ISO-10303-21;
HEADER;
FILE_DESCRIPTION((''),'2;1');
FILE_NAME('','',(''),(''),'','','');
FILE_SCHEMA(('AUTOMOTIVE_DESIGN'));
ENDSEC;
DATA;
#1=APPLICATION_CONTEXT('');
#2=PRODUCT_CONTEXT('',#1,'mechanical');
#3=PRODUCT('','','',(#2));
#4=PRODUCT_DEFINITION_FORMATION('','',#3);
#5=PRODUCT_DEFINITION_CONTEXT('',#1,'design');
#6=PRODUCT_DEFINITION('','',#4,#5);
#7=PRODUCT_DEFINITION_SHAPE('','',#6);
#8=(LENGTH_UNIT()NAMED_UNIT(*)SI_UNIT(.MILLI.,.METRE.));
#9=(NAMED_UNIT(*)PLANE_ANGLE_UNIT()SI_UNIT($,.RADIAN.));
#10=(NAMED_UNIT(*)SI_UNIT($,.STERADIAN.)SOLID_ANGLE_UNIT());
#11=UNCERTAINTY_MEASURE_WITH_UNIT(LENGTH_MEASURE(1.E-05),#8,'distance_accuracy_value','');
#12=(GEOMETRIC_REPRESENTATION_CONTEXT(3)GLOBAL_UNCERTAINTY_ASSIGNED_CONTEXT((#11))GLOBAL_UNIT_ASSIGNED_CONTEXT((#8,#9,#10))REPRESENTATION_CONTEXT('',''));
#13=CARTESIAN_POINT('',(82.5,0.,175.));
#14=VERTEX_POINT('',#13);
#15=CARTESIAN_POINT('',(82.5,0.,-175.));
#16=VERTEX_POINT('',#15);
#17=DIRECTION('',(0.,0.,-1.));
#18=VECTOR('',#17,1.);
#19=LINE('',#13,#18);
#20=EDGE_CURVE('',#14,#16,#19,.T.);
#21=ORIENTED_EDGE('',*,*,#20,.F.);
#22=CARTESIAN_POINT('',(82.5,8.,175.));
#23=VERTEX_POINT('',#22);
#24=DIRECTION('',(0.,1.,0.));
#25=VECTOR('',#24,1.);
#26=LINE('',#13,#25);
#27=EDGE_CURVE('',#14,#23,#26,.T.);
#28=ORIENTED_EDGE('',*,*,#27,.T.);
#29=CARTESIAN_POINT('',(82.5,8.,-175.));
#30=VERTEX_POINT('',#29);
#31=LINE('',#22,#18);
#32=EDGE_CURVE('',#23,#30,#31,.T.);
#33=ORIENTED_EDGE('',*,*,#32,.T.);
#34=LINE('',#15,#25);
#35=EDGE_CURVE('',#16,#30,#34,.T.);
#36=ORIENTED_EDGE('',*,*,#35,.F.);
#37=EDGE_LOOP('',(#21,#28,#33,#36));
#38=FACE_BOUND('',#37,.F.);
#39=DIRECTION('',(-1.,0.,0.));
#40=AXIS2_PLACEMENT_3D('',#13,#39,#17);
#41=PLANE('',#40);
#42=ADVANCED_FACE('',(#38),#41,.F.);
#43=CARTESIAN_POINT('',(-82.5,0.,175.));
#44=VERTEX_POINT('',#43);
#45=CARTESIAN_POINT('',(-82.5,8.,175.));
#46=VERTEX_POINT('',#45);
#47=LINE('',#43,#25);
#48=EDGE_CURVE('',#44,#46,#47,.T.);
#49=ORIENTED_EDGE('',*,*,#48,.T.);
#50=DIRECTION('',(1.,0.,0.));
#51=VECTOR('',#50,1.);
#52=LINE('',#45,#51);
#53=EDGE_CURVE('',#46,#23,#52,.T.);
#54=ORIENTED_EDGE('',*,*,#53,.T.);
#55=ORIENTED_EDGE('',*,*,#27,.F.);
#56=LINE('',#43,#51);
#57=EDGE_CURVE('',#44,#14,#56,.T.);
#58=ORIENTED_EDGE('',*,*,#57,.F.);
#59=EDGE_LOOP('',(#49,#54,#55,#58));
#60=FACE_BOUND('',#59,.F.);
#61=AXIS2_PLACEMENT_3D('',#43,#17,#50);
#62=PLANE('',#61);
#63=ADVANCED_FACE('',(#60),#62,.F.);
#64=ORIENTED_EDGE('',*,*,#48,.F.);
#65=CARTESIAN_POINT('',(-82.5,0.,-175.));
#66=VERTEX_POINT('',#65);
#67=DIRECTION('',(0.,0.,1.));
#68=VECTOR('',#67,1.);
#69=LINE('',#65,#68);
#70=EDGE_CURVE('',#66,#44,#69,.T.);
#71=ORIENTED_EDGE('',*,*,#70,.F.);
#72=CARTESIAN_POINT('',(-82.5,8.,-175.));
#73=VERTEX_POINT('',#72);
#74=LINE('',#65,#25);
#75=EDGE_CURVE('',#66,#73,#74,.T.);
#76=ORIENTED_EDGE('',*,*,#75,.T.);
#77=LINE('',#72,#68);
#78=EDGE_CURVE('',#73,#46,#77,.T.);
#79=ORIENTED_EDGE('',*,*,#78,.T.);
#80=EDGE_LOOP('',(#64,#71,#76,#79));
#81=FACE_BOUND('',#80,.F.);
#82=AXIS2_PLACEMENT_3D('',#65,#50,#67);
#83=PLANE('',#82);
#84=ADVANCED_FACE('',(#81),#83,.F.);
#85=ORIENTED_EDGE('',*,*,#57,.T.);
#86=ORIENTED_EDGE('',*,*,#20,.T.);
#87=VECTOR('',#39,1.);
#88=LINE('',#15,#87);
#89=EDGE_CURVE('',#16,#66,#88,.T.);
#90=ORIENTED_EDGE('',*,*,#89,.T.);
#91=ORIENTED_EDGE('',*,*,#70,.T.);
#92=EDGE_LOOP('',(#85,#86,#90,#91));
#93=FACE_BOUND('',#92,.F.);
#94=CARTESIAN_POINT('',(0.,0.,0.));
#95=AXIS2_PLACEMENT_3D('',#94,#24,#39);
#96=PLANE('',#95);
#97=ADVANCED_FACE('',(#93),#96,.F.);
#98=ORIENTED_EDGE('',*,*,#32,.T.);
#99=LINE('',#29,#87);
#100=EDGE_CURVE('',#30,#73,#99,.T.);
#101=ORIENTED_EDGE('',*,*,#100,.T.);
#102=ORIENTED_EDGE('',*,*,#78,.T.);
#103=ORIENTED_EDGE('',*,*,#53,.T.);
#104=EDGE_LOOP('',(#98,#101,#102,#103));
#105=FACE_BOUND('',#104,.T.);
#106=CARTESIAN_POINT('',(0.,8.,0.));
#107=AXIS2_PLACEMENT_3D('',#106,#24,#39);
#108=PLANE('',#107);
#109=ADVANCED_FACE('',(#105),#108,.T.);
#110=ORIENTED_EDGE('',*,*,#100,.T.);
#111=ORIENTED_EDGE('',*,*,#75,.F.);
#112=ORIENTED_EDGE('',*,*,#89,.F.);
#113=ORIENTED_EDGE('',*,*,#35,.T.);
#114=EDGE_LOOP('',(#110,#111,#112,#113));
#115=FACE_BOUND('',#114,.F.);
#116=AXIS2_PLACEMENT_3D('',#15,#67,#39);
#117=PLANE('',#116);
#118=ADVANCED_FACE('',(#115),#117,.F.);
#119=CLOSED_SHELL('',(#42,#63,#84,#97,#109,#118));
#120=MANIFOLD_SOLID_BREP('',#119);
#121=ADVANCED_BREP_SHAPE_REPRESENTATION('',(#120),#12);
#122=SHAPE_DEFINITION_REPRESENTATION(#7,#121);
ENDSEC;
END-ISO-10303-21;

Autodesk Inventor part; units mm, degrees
ref_plane "YZ Plane" through (0, 0, 0) normal (1, 0, 0) x (0, 1, 0)
ref_plane "XZ Plane" through (0, 0, 0) normal (0, 1, 0) x (-1, 0, 0)
ref_plane "XY Plane" through (0, 0, 0) normal (0, 0, 1) x (1, 0, 0)
sketch "Эскиз5" plane through (0, 0, 0) normal (0, 1, 0) x (-1, 0, 0)
  line L0 (82.5, 175) -> (-82.5, 175)
  line L1 (-82.5, 175) -> (-82.5, -175)
  line L2 (-82.5, -175) -> (82.5, -175)
  line L3 (82.5, -175) -> (82.5, 175)
  line L4 (82.5, 175) -> (-82.5, -175) construction
  line L5 (-82.5, 175) -> (82.5, -175) construction
  point P0 (0, 0)
  dimension "d64" = 165
  dimension "d65" = 350
extrude "Пластина2" add sketch "Эскиз5" along normal blind 8
equation "\"Радиус_гибки\" = Толщина"
equation "\"Ширина_просечки\" = Толщина"
equation "\"Глубина_просечки\" = 0.5 * Толщина"
equation "\"Размер_высечки\" = 4 * Толщина"
equation "\"Минимальный_остаток\" = 2 * Толщина"
equation "\"Радиус_перехода\" = Радиус_гибки"
equation "\"Радиус_Якоби\" = Радиус_гибки"
equation "\"Размер_зазора\" = Толщина"
equation "\"d2\" = Радиус_гибки"
equation "\"d66\" = Радиус_гибки"
equation "\"Толщина\" = 8"
properties material "Сталь"
